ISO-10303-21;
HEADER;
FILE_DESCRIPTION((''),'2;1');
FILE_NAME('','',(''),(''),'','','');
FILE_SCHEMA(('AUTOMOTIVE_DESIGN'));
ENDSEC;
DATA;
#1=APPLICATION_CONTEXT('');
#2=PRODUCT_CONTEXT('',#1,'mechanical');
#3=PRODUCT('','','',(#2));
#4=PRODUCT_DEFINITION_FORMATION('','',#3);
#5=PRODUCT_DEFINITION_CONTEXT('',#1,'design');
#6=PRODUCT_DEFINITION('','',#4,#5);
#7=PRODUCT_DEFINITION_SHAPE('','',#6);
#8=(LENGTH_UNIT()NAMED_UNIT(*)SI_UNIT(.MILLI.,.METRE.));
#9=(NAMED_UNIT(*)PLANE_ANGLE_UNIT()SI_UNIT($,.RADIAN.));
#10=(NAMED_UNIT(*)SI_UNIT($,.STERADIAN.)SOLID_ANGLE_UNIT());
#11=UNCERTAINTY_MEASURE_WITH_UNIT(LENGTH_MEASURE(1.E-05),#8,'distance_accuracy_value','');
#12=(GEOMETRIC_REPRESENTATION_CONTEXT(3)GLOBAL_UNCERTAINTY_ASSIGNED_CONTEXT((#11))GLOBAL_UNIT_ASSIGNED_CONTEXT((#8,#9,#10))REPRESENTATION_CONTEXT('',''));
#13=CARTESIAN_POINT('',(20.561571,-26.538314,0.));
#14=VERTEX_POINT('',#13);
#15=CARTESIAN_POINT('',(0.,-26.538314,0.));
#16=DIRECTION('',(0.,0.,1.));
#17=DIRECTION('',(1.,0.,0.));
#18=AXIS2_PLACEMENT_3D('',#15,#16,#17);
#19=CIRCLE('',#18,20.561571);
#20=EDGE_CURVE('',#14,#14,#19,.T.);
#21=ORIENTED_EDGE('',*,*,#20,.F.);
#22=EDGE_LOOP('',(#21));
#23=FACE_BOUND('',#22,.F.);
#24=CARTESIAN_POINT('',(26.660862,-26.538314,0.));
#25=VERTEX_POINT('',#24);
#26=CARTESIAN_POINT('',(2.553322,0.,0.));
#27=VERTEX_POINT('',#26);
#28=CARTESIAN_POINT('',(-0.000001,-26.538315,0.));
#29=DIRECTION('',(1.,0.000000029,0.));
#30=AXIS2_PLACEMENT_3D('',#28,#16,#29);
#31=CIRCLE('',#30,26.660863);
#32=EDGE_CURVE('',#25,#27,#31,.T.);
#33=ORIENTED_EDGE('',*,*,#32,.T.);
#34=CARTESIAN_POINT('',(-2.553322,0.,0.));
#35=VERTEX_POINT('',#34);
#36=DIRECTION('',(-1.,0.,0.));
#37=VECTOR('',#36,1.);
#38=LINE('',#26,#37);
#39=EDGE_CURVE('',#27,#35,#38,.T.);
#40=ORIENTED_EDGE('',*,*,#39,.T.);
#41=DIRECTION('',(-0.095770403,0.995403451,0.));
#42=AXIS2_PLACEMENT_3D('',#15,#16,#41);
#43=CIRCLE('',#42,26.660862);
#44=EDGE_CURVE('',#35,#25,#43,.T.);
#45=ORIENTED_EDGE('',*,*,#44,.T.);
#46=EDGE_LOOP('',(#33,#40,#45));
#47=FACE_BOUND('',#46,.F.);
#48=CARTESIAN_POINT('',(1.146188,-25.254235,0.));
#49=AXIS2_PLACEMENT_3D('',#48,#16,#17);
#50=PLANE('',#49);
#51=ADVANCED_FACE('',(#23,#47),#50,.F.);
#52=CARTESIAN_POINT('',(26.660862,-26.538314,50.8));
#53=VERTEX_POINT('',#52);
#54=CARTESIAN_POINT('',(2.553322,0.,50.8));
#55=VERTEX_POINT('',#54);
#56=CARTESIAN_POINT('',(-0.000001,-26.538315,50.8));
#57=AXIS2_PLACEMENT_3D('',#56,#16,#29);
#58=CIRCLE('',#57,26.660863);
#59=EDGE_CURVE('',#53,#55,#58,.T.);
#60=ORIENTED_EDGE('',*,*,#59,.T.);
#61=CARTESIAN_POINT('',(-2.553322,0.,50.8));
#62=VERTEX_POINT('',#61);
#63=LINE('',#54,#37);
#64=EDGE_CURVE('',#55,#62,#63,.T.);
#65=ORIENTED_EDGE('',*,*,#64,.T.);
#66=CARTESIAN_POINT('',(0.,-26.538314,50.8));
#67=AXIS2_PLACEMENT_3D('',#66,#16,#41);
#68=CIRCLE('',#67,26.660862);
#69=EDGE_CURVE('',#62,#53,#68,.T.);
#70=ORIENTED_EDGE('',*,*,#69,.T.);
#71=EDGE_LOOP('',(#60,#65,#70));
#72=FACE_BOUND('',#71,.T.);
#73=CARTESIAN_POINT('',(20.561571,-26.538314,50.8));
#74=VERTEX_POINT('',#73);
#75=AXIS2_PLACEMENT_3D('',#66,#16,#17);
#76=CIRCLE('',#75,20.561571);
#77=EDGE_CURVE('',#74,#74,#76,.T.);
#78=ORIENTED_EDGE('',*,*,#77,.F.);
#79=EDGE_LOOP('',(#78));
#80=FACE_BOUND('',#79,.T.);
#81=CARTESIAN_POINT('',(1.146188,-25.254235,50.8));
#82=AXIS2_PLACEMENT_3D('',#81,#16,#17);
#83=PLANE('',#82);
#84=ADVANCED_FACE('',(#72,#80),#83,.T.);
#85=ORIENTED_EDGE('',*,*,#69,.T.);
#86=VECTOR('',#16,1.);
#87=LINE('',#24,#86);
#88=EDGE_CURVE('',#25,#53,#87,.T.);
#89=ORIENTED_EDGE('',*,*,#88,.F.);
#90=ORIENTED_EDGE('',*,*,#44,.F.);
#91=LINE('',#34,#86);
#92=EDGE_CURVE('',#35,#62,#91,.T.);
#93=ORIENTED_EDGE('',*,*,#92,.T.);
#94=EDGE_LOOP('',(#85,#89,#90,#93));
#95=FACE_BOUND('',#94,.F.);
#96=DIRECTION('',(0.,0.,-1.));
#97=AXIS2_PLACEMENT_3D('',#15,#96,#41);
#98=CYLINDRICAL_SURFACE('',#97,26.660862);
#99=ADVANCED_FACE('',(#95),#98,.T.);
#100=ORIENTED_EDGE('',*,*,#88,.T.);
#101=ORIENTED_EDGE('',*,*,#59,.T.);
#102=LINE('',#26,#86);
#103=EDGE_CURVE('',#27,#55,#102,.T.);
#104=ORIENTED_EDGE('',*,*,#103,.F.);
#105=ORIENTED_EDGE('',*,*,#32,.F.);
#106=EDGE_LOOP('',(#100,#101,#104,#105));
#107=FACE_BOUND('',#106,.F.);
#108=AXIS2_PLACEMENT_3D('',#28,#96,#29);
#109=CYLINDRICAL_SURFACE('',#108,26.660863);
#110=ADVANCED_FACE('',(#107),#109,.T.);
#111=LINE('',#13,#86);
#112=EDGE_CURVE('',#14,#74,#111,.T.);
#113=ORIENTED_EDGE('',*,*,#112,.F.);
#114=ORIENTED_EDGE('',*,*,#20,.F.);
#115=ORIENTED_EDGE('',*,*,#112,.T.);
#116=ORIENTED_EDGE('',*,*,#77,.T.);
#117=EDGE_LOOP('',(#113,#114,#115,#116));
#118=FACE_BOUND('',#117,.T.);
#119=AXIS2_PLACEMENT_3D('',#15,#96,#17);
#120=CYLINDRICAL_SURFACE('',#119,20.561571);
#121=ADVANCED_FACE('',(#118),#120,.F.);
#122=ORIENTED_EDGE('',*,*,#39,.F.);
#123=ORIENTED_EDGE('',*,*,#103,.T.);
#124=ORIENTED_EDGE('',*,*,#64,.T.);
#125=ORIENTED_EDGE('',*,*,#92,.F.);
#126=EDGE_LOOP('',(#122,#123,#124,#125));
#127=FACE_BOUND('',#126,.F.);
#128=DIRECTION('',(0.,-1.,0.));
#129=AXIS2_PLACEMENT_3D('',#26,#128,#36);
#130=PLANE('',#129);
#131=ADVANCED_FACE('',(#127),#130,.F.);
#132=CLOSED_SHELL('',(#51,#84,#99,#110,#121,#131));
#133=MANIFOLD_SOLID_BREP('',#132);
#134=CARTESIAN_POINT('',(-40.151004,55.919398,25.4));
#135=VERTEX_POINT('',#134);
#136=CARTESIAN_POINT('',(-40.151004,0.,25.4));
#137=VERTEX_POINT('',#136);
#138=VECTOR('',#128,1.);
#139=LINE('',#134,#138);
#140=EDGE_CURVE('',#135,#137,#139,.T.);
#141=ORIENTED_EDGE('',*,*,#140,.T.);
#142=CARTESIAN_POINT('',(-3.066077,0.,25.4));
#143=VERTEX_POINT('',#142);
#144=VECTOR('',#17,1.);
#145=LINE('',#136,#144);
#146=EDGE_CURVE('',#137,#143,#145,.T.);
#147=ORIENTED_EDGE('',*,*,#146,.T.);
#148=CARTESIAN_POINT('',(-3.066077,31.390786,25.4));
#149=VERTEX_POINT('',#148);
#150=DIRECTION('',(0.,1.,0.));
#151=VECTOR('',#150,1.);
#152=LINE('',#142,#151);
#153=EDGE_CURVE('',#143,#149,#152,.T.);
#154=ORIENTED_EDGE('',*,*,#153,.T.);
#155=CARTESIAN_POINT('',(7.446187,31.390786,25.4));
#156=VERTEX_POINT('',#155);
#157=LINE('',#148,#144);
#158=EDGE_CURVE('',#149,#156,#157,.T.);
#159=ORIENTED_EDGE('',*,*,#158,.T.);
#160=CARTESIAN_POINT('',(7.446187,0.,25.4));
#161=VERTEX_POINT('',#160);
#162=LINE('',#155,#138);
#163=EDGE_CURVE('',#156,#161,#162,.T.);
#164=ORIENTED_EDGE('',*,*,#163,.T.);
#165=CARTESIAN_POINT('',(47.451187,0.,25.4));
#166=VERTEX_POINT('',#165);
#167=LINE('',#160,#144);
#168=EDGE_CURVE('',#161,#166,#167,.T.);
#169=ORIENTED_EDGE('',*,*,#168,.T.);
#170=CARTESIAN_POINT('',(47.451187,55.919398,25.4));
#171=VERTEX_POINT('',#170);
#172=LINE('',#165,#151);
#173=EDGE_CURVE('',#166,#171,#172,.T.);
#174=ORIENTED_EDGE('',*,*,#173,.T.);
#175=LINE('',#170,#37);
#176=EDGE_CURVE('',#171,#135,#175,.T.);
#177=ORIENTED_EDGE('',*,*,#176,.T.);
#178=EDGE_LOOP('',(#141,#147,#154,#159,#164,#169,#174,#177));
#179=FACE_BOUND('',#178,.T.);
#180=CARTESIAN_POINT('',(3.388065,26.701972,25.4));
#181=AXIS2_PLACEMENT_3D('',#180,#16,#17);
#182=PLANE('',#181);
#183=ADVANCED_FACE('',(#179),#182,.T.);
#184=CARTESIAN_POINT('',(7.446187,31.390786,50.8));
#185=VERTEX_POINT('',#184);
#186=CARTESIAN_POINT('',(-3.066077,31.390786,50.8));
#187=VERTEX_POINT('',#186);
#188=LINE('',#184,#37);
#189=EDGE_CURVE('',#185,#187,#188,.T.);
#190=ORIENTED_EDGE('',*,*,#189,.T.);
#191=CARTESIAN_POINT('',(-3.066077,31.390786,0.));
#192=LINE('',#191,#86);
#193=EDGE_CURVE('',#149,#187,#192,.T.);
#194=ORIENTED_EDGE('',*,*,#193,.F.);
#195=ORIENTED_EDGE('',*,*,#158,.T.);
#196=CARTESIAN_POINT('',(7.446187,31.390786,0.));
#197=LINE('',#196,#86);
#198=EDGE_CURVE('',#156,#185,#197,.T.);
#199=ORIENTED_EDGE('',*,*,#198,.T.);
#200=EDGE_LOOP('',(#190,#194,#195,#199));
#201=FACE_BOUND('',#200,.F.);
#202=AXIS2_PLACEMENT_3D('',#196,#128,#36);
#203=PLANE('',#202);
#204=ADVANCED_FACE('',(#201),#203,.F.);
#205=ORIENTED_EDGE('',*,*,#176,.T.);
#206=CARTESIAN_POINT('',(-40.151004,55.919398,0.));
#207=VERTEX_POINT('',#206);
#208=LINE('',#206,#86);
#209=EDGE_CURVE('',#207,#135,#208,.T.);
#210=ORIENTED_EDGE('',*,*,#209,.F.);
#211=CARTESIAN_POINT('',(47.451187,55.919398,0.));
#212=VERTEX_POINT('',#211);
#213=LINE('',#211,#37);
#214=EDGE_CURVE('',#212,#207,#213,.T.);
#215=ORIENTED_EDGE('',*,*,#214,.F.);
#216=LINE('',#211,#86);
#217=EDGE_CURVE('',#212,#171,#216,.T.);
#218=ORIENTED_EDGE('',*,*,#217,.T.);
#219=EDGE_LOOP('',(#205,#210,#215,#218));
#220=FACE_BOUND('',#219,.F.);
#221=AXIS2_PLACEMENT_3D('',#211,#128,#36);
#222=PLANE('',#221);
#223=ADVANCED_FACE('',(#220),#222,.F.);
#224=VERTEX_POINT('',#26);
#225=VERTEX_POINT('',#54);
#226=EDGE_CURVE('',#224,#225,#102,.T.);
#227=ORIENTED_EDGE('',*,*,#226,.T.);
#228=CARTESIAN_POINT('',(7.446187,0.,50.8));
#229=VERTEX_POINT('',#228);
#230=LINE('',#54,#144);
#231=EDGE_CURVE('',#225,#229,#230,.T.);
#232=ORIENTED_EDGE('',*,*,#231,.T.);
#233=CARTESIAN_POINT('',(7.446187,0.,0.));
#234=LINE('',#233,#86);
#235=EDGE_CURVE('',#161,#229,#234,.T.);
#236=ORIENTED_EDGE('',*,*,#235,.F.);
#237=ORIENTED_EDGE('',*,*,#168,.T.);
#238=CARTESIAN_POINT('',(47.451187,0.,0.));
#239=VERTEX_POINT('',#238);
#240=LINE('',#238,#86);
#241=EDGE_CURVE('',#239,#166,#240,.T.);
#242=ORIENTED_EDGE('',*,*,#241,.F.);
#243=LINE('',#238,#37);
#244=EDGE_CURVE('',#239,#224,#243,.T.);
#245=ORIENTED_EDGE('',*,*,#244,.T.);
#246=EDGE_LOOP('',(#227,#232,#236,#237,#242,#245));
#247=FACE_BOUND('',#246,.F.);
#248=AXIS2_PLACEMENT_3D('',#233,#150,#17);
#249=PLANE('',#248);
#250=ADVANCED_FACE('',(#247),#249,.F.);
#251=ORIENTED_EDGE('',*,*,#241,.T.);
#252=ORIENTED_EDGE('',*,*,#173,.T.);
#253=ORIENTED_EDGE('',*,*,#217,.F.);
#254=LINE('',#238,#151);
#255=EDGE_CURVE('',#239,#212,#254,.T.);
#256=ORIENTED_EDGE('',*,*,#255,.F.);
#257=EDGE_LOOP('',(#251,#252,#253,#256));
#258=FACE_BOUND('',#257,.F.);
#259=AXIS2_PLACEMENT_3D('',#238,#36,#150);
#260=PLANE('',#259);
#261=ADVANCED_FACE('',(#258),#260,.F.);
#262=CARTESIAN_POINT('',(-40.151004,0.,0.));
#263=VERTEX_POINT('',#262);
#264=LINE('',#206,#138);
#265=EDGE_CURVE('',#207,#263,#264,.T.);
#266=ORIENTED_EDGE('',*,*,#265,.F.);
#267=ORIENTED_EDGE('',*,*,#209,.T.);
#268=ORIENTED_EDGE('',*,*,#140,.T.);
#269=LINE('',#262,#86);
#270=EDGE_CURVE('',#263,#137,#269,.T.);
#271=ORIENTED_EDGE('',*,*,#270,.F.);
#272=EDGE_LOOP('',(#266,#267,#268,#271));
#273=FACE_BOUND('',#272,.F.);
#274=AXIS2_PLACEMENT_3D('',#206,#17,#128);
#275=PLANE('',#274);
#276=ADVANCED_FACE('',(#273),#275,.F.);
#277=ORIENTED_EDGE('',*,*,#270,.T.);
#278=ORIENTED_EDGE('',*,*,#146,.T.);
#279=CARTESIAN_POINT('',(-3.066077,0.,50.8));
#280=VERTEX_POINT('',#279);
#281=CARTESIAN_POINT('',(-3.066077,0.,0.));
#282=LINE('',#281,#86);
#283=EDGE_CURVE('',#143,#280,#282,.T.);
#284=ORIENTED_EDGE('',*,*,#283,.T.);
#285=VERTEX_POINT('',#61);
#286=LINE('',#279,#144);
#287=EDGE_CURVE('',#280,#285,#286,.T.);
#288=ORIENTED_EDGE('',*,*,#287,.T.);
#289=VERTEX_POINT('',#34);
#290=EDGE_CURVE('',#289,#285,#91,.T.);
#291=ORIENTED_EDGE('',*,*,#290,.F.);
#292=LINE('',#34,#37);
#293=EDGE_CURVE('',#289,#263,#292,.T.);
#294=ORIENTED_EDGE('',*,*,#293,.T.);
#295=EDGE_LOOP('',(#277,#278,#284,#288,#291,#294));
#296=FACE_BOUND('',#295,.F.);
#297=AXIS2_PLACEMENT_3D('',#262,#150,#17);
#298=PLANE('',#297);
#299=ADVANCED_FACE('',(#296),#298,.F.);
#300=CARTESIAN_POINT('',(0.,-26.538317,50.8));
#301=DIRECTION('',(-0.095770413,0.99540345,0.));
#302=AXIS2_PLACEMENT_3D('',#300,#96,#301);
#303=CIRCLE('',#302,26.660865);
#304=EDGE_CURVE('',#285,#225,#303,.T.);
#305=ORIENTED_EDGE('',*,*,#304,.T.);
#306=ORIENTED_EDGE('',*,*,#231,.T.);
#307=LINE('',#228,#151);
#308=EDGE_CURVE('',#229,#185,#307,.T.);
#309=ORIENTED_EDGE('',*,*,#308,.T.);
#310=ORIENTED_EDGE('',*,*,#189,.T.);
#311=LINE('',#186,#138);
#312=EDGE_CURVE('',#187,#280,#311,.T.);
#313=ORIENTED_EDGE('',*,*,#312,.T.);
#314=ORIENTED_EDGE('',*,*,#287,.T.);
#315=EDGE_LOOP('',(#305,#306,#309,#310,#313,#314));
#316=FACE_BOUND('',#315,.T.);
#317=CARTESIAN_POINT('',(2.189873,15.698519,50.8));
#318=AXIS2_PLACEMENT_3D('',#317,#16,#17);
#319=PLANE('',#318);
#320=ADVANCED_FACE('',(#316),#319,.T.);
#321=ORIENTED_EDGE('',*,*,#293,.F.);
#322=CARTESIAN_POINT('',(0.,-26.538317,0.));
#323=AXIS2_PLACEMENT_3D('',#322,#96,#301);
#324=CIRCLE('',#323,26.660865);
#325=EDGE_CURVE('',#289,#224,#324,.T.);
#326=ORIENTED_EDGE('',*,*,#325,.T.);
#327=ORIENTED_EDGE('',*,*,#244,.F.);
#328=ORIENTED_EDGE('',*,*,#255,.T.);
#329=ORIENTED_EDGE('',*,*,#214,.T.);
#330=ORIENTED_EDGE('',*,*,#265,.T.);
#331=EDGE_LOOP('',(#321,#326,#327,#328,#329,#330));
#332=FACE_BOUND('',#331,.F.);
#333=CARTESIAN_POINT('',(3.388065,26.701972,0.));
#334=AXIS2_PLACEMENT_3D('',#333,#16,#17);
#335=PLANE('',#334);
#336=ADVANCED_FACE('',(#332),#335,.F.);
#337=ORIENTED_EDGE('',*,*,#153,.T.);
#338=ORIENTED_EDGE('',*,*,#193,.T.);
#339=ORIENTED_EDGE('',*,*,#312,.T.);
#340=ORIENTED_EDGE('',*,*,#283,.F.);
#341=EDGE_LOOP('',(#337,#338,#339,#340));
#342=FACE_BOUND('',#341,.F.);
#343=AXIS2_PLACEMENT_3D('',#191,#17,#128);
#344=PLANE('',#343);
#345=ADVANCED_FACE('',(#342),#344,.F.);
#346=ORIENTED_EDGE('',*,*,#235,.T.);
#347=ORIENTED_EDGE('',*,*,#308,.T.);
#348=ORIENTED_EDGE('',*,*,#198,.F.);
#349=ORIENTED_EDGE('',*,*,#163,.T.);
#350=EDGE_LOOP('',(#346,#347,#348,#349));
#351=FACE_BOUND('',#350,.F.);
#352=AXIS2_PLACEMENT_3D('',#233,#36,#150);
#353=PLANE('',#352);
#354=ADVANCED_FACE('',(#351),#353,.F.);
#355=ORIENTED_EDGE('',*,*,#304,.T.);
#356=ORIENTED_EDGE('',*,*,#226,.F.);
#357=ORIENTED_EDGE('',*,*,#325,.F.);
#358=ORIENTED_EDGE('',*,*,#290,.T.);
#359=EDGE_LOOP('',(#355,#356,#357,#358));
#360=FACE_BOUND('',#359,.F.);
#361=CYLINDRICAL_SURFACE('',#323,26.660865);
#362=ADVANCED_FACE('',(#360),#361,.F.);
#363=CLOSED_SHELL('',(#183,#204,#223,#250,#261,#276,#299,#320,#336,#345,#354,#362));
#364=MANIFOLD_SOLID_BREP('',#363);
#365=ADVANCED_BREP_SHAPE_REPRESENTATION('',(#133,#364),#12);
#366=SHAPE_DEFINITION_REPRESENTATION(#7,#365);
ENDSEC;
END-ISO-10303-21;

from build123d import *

# Parameters (mm, degrees)
F0_R     = 20.561571
F1_DEPTH = 50.8
F2_DEPTH = 25.4


with BuildPart() as f1:
    # F0 (on Top) → F1 (new body)
    with BuildSketch(Plane.XY):
        with BuildLine():
            Line((2.553322, 0), (-2.553322, 0))
            ThreePointArc((-2.553322, 0), (-17.926626, -46.27249), (26.660862, -26.538314))
            ThreePointArc((26.660862, -26.538314), (19.734175, -8.611689), (2.553322, 0))
        make_face()
        with Locations((0, -26.538314)):
            Circle(F0_R, mode=Mode.SUBTRACT)
        with BuildLine():
            Line((-3.066077, 31.390786), (-3.066077, 0))
            Line((-3.066077, 0), (-2.553322, 0))
            ThreePointArc((-2.553322, 0), (0, 0.122548), (2.553322, 0))
            Line((2.553322, 0), (7.446187, 0))
            Line((7.446187, 0), (7.446187, 31.390786))
            Line((7.446187, 31.390786), (-3.066077, 31.390786))
        make_face()
    extrude(amount=F1_DEPTH)

    # F0 (on Top) → F2 (join)
    with BuildSketch(Plane.XY):
        Polygon((47.451187, 55.919398), (-40.151004, 55.919398), (-40.151004, 0), (-3.066077, 0), (-3.066077, 31.390786), (7.446187, 31.390786), (7.446187, 0), (47.451187, 0), align=None)
    extrude(amount=F2_DEPTH)


solid = f1.part
